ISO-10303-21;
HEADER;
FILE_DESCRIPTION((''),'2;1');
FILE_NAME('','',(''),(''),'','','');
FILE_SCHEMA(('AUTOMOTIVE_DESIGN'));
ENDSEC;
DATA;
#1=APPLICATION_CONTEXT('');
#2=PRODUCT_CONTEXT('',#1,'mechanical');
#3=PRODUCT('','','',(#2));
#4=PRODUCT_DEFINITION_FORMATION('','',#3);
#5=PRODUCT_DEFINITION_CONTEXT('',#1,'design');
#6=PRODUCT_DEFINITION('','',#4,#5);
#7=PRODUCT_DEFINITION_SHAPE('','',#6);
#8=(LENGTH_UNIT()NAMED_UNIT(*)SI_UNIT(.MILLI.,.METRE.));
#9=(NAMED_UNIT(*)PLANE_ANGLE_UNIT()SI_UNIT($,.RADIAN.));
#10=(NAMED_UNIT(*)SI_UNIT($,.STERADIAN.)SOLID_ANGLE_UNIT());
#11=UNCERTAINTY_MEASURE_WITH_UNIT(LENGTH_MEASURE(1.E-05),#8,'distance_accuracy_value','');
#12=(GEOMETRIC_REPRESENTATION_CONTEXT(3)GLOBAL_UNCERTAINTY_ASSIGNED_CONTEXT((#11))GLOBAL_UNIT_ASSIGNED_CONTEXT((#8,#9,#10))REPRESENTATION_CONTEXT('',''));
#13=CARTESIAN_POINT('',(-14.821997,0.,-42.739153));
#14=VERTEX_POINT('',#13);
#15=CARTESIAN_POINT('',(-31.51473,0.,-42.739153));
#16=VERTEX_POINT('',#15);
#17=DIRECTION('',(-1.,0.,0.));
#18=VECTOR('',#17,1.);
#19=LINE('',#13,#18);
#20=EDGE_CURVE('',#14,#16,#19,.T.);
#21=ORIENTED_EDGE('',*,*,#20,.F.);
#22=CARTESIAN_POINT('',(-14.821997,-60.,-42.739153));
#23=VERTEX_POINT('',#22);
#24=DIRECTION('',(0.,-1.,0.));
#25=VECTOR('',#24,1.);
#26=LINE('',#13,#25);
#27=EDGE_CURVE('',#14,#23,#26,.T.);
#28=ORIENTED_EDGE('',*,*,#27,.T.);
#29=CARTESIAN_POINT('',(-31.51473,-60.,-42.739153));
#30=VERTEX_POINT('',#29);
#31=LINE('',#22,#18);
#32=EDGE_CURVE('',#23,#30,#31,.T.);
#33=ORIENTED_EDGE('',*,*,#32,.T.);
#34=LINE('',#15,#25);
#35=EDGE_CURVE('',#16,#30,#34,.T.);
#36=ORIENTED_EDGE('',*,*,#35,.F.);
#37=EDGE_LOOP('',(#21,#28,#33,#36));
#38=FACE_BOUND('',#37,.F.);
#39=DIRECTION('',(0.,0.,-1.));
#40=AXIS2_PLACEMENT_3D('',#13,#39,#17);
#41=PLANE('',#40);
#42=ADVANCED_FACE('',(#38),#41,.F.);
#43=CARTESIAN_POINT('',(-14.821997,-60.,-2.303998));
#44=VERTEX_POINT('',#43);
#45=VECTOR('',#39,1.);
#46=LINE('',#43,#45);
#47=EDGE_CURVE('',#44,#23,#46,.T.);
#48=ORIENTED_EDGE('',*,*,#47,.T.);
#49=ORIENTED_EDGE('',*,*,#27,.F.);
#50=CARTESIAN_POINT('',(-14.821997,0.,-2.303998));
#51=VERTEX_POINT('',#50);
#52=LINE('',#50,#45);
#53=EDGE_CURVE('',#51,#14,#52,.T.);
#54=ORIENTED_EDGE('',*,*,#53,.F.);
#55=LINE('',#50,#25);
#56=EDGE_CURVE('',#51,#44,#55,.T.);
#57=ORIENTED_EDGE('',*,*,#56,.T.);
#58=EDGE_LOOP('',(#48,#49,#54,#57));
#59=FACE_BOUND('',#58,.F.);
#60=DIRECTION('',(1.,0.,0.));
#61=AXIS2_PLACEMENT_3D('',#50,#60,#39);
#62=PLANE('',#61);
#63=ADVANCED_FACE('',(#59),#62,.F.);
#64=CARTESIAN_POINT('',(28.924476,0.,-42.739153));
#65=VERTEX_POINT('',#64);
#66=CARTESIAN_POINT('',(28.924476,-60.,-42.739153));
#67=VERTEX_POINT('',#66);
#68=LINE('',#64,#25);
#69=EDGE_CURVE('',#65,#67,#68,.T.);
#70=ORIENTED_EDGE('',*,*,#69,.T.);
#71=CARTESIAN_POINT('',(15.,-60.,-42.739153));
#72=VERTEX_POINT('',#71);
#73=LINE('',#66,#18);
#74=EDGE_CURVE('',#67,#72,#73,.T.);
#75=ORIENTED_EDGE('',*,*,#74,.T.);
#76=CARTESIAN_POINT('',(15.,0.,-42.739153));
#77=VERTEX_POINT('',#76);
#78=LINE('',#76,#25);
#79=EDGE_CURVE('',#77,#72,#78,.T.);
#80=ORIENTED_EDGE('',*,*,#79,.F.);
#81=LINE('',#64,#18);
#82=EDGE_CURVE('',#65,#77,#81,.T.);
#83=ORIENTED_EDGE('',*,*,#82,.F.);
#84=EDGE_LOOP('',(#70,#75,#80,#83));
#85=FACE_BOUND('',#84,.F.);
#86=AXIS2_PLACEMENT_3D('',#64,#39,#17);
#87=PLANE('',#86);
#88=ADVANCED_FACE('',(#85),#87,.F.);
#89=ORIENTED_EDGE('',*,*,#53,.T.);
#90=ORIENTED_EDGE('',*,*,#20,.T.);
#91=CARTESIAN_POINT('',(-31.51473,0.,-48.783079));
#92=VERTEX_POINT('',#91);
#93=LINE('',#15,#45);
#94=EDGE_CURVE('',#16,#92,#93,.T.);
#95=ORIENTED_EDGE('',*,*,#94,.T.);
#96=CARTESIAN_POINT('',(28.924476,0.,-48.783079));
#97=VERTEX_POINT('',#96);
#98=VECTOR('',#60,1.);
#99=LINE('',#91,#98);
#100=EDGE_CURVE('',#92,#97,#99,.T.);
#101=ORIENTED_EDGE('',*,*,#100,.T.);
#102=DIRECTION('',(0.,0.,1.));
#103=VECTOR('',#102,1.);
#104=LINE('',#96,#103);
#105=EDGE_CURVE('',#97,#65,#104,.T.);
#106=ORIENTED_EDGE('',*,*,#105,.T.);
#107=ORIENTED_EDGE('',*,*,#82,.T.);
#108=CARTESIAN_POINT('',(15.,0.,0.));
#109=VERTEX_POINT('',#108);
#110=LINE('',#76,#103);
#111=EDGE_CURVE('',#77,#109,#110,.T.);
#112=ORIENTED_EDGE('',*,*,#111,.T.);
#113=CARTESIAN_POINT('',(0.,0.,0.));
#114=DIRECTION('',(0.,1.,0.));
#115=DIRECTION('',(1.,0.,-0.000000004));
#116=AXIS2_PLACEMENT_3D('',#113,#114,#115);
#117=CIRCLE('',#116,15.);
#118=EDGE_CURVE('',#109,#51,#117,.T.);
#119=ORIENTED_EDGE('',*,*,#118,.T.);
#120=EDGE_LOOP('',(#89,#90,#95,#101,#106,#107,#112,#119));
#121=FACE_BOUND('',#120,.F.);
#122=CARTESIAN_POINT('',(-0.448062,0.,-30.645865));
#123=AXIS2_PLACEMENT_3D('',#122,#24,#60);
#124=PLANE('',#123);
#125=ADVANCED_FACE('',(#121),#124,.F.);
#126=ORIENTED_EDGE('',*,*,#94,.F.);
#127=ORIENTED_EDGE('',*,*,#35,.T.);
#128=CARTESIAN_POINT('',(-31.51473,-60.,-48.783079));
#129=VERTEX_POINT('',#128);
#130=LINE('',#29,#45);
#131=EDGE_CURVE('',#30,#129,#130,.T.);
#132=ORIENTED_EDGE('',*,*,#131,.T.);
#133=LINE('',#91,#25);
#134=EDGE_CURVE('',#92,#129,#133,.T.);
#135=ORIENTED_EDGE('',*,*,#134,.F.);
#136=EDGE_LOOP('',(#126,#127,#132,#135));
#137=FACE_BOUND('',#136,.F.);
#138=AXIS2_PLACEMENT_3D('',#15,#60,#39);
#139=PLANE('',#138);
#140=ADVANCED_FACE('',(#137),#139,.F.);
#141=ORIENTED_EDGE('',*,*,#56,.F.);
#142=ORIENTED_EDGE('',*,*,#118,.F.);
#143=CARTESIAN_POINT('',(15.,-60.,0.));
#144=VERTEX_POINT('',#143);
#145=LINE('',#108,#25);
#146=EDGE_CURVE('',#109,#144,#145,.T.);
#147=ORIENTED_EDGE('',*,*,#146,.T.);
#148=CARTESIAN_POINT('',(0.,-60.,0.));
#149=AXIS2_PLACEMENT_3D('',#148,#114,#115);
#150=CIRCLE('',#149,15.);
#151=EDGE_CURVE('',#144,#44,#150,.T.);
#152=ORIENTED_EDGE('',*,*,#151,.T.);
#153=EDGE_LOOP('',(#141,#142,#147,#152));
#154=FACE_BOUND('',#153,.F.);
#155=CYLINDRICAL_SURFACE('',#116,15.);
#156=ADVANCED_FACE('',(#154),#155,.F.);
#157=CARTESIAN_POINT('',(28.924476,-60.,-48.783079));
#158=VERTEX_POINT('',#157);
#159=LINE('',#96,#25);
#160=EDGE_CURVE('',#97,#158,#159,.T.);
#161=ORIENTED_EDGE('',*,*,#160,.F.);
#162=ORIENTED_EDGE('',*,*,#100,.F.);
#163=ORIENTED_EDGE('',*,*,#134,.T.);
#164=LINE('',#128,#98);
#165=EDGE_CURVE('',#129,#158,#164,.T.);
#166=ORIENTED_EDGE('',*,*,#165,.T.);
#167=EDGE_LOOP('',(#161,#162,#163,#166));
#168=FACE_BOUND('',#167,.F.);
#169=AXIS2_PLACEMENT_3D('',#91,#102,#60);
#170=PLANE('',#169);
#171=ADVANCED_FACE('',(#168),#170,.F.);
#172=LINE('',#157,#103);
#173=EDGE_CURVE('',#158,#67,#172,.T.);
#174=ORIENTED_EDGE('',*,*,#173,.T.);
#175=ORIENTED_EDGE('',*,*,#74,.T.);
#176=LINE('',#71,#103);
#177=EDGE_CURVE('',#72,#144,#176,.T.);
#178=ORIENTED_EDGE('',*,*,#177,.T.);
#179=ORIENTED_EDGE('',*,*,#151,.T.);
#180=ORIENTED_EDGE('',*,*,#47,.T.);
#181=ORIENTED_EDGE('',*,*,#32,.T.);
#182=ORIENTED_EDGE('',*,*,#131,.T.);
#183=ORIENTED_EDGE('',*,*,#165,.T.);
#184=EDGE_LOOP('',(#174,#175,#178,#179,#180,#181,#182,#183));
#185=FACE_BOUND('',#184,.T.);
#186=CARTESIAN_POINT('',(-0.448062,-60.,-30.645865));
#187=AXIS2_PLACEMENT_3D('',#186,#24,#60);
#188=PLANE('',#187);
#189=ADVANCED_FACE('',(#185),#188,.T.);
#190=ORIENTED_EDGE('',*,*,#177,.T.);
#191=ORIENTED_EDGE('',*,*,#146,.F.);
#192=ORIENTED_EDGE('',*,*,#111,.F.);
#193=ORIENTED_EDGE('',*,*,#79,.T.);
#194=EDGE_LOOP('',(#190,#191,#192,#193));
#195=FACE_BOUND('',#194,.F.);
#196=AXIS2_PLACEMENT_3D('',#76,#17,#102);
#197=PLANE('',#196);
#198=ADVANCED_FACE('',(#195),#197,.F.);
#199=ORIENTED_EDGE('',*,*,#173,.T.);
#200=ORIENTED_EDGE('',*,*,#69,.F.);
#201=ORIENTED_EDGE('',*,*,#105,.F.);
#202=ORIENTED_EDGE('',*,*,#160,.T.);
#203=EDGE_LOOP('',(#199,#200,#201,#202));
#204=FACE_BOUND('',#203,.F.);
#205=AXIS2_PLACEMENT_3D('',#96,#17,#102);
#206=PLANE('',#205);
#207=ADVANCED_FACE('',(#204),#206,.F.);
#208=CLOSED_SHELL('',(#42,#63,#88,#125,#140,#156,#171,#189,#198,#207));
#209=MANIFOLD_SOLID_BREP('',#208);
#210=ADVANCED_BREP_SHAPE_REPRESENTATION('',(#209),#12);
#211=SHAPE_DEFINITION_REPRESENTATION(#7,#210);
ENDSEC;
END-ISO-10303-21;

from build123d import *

# Parameters (mm, degrees)
F1_DEPTH = 60


with BuildPart() as f1:
    # F0 (on Front) → F1 (new body)
    with BuildSketch(Plane.XZ):
        with BuildLine():
            ThreePointArc((15, 0), (1.155432, -14.955433), (-14.821997, -2.303998))
            Line((-14.821997, -2.303998), (-14.821997, -42.739153))
            Line((-14.821997, -42.739153), (-31.51473, -42.739153))
            Line((-31.51473, -42.739153), (-31.51473, -48.783079))
            Line((-31.51473, -48.783079), (28.924476, -48.783079))
            Line((28.924476, -48.783079), (28.924476, -42.739153))
            Line((28.924476, -42.739153), (15, -42.739153))
            Line((15, -42.739153), (15, 0))
        make_face()
    extrude(amount=F1_DEPTH)


solid = f1.part
